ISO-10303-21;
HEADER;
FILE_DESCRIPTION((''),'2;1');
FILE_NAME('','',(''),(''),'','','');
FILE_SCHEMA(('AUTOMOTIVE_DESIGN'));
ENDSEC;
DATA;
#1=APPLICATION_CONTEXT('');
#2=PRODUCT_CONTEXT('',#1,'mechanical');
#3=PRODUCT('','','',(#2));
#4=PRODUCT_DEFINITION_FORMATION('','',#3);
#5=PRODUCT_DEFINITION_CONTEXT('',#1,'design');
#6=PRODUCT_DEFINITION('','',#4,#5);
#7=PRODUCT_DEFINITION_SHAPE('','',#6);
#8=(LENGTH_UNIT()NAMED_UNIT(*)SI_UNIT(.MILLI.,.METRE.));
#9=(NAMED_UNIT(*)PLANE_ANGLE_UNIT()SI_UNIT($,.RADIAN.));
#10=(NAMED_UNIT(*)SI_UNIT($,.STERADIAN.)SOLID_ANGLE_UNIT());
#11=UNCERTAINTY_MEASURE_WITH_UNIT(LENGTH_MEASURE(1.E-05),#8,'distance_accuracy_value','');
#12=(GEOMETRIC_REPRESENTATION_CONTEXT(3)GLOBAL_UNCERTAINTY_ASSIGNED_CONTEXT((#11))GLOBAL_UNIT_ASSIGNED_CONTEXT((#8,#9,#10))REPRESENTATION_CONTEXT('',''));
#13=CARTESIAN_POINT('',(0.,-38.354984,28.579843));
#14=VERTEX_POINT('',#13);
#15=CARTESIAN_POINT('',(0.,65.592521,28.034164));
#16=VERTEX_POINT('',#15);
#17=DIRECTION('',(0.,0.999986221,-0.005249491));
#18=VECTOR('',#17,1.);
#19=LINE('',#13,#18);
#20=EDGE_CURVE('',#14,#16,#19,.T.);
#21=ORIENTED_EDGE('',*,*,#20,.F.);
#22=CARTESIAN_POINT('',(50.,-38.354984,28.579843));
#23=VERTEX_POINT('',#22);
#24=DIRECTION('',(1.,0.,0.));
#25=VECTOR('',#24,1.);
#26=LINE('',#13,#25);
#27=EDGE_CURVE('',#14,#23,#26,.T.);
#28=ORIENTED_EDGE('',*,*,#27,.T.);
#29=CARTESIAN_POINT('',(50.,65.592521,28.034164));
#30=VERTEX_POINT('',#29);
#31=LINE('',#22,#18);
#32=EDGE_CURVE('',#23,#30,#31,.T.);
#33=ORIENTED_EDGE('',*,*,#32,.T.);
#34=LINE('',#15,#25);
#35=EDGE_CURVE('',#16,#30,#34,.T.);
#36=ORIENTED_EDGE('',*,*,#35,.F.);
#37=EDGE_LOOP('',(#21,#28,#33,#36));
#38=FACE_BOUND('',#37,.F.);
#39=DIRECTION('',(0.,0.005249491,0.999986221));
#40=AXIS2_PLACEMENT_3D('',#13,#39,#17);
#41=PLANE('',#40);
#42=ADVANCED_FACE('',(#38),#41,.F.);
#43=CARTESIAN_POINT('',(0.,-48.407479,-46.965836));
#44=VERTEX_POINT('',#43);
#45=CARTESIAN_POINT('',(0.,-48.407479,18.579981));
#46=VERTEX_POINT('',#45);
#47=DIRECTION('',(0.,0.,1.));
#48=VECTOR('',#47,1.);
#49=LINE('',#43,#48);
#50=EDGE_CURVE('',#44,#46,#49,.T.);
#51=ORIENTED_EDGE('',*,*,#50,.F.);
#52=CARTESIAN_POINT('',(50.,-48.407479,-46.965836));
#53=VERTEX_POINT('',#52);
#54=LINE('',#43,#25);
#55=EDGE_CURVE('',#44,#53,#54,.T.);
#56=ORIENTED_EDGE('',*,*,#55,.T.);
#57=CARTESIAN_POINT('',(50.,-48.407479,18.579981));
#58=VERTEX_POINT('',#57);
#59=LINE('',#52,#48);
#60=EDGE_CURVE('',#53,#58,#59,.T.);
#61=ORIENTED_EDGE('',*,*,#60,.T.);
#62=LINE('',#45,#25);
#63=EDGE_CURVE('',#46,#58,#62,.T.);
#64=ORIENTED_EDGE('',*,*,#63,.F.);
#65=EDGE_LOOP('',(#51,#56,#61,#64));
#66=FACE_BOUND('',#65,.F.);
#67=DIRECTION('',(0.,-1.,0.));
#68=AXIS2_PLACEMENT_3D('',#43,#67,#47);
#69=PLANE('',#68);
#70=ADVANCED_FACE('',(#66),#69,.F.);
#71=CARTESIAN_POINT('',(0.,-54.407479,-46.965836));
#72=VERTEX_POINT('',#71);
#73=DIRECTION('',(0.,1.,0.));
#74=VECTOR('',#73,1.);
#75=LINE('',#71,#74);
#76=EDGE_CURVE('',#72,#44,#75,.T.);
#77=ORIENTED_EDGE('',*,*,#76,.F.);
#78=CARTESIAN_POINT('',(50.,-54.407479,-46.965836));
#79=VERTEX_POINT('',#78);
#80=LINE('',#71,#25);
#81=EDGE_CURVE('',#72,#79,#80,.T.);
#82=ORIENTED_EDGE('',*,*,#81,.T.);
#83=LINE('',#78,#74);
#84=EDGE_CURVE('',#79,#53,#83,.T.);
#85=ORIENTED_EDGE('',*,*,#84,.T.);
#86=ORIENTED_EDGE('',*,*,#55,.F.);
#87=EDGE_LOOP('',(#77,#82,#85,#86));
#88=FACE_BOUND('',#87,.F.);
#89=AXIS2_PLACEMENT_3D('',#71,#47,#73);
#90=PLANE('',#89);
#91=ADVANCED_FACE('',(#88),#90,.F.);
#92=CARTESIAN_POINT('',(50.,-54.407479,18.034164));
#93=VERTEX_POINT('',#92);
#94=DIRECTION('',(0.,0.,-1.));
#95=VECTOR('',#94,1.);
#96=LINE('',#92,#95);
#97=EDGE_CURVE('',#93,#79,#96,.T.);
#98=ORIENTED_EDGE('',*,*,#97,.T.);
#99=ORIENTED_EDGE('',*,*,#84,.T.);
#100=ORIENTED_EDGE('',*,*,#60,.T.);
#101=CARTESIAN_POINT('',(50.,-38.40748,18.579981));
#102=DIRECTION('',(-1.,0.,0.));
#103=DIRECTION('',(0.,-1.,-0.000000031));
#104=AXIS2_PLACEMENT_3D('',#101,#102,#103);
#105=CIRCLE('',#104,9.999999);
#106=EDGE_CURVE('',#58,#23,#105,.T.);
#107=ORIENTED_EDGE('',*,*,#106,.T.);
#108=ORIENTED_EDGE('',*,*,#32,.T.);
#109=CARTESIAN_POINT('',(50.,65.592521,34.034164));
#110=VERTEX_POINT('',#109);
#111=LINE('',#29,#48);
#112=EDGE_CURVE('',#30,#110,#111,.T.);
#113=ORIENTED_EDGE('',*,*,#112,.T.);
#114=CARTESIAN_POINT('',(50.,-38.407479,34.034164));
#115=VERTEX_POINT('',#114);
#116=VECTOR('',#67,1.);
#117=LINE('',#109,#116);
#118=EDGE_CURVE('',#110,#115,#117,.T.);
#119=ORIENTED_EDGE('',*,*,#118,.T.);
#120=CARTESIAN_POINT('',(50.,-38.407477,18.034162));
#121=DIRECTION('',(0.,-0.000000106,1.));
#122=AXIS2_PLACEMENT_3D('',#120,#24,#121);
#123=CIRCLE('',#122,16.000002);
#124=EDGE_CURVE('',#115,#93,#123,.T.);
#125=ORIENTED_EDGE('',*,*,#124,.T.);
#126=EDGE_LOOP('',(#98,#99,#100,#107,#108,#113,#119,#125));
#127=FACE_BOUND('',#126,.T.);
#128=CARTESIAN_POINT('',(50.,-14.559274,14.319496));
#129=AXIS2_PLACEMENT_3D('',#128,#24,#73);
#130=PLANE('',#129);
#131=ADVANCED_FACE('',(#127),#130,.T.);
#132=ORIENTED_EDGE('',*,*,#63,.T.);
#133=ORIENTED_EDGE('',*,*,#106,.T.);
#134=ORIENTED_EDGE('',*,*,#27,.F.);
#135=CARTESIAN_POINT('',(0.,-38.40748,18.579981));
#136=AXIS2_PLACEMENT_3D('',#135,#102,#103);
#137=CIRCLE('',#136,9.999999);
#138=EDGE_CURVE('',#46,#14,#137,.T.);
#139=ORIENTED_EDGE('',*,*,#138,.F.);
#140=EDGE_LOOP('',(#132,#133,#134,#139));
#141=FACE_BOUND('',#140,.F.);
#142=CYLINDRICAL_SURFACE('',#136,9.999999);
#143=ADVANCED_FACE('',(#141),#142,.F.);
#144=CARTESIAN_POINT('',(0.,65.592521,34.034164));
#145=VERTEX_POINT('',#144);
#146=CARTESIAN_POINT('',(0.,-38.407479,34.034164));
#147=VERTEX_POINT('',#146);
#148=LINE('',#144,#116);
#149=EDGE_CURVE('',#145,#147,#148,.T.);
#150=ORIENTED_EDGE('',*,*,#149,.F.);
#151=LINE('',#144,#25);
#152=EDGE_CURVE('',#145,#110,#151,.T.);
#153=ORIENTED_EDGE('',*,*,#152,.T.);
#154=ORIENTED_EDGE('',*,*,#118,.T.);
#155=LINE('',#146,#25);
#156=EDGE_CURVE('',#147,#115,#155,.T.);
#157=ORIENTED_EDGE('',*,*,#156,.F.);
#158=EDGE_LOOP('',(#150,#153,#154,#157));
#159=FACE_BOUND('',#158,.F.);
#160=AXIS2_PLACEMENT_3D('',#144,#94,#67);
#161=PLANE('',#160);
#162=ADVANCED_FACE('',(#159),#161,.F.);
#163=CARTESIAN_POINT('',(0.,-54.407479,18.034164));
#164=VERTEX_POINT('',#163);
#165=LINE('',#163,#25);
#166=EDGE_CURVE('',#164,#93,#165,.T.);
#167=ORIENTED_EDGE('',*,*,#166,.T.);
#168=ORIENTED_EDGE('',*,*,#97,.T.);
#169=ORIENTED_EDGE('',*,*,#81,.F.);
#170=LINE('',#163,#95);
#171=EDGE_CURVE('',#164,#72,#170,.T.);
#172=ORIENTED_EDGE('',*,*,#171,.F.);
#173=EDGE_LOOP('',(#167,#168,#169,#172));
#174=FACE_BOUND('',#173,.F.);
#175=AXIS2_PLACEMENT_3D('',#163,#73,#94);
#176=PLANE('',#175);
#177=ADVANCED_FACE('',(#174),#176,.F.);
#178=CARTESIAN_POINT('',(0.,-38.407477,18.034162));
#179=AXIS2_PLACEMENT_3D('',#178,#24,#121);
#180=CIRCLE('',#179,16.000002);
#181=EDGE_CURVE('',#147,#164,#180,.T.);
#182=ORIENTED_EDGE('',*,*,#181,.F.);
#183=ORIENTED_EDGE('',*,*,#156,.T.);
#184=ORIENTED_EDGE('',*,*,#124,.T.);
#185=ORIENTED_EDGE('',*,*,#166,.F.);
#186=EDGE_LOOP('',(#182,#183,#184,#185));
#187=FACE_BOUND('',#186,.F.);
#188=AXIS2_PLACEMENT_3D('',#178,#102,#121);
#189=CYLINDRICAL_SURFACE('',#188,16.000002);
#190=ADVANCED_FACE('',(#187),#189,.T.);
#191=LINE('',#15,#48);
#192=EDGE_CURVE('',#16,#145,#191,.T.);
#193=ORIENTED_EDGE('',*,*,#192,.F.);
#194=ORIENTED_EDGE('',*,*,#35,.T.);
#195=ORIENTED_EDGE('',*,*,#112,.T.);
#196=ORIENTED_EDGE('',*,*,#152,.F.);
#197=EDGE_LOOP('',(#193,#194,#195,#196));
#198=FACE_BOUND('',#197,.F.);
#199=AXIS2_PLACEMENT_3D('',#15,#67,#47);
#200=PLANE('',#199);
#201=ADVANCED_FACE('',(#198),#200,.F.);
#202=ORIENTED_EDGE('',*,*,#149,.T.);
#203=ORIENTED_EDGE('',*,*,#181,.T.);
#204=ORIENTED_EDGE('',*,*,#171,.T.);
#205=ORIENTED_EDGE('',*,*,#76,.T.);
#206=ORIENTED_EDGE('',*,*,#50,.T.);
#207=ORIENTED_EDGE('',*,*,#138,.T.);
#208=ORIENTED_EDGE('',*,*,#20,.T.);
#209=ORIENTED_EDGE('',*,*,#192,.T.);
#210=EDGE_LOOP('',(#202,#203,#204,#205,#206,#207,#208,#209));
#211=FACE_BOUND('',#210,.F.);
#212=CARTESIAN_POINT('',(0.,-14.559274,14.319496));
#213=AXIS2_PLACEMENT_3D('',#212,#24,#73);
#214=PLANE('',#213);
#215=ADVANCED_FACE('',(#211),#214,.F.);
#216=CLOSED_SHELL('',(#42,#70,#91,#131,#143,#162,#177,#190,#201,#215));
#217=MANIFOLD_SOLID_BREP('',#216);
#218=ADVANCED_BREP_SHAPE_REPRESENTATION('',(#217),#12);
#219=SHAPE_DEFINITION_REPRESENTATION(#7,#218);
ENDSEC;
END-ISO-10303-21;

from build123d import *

# Parameters (mm, degrees)
F1_DEPTH = 50


with BuildPart() as f1:
    # F0 (on Right) → F1 (new body)
    with BuildSketch(Plane.YZ):
        with BuildLine():
            Line((65.592521, 34.034164), (-38.407479, 34.034164))
            ThreePointArc((-38.407479, 34.034164), (-49.721187, 29.347872), (-54.407479, 18.034164))
            Line((-54.407479, 18.034164), (-54.407479, -46.965836))
            Line((-54.407479, -46.965836), (-48.407479, -46.965836))
            Line((-48.407479, -46.965836), (-48.407479, 18.579981))
            ThreePointArc((-48.407479, 18.579981), (-45.459962, 25.669585), (-38.354984, 28.579843))
            Line((-38.354984, 28.579843), (65.592521, 28.034164))
            Line((65.592521, 28.034164), (65.592521, 34.034164))
        make_face()
    extrude(amount=F1_DEPTH)


solid = f1.part
